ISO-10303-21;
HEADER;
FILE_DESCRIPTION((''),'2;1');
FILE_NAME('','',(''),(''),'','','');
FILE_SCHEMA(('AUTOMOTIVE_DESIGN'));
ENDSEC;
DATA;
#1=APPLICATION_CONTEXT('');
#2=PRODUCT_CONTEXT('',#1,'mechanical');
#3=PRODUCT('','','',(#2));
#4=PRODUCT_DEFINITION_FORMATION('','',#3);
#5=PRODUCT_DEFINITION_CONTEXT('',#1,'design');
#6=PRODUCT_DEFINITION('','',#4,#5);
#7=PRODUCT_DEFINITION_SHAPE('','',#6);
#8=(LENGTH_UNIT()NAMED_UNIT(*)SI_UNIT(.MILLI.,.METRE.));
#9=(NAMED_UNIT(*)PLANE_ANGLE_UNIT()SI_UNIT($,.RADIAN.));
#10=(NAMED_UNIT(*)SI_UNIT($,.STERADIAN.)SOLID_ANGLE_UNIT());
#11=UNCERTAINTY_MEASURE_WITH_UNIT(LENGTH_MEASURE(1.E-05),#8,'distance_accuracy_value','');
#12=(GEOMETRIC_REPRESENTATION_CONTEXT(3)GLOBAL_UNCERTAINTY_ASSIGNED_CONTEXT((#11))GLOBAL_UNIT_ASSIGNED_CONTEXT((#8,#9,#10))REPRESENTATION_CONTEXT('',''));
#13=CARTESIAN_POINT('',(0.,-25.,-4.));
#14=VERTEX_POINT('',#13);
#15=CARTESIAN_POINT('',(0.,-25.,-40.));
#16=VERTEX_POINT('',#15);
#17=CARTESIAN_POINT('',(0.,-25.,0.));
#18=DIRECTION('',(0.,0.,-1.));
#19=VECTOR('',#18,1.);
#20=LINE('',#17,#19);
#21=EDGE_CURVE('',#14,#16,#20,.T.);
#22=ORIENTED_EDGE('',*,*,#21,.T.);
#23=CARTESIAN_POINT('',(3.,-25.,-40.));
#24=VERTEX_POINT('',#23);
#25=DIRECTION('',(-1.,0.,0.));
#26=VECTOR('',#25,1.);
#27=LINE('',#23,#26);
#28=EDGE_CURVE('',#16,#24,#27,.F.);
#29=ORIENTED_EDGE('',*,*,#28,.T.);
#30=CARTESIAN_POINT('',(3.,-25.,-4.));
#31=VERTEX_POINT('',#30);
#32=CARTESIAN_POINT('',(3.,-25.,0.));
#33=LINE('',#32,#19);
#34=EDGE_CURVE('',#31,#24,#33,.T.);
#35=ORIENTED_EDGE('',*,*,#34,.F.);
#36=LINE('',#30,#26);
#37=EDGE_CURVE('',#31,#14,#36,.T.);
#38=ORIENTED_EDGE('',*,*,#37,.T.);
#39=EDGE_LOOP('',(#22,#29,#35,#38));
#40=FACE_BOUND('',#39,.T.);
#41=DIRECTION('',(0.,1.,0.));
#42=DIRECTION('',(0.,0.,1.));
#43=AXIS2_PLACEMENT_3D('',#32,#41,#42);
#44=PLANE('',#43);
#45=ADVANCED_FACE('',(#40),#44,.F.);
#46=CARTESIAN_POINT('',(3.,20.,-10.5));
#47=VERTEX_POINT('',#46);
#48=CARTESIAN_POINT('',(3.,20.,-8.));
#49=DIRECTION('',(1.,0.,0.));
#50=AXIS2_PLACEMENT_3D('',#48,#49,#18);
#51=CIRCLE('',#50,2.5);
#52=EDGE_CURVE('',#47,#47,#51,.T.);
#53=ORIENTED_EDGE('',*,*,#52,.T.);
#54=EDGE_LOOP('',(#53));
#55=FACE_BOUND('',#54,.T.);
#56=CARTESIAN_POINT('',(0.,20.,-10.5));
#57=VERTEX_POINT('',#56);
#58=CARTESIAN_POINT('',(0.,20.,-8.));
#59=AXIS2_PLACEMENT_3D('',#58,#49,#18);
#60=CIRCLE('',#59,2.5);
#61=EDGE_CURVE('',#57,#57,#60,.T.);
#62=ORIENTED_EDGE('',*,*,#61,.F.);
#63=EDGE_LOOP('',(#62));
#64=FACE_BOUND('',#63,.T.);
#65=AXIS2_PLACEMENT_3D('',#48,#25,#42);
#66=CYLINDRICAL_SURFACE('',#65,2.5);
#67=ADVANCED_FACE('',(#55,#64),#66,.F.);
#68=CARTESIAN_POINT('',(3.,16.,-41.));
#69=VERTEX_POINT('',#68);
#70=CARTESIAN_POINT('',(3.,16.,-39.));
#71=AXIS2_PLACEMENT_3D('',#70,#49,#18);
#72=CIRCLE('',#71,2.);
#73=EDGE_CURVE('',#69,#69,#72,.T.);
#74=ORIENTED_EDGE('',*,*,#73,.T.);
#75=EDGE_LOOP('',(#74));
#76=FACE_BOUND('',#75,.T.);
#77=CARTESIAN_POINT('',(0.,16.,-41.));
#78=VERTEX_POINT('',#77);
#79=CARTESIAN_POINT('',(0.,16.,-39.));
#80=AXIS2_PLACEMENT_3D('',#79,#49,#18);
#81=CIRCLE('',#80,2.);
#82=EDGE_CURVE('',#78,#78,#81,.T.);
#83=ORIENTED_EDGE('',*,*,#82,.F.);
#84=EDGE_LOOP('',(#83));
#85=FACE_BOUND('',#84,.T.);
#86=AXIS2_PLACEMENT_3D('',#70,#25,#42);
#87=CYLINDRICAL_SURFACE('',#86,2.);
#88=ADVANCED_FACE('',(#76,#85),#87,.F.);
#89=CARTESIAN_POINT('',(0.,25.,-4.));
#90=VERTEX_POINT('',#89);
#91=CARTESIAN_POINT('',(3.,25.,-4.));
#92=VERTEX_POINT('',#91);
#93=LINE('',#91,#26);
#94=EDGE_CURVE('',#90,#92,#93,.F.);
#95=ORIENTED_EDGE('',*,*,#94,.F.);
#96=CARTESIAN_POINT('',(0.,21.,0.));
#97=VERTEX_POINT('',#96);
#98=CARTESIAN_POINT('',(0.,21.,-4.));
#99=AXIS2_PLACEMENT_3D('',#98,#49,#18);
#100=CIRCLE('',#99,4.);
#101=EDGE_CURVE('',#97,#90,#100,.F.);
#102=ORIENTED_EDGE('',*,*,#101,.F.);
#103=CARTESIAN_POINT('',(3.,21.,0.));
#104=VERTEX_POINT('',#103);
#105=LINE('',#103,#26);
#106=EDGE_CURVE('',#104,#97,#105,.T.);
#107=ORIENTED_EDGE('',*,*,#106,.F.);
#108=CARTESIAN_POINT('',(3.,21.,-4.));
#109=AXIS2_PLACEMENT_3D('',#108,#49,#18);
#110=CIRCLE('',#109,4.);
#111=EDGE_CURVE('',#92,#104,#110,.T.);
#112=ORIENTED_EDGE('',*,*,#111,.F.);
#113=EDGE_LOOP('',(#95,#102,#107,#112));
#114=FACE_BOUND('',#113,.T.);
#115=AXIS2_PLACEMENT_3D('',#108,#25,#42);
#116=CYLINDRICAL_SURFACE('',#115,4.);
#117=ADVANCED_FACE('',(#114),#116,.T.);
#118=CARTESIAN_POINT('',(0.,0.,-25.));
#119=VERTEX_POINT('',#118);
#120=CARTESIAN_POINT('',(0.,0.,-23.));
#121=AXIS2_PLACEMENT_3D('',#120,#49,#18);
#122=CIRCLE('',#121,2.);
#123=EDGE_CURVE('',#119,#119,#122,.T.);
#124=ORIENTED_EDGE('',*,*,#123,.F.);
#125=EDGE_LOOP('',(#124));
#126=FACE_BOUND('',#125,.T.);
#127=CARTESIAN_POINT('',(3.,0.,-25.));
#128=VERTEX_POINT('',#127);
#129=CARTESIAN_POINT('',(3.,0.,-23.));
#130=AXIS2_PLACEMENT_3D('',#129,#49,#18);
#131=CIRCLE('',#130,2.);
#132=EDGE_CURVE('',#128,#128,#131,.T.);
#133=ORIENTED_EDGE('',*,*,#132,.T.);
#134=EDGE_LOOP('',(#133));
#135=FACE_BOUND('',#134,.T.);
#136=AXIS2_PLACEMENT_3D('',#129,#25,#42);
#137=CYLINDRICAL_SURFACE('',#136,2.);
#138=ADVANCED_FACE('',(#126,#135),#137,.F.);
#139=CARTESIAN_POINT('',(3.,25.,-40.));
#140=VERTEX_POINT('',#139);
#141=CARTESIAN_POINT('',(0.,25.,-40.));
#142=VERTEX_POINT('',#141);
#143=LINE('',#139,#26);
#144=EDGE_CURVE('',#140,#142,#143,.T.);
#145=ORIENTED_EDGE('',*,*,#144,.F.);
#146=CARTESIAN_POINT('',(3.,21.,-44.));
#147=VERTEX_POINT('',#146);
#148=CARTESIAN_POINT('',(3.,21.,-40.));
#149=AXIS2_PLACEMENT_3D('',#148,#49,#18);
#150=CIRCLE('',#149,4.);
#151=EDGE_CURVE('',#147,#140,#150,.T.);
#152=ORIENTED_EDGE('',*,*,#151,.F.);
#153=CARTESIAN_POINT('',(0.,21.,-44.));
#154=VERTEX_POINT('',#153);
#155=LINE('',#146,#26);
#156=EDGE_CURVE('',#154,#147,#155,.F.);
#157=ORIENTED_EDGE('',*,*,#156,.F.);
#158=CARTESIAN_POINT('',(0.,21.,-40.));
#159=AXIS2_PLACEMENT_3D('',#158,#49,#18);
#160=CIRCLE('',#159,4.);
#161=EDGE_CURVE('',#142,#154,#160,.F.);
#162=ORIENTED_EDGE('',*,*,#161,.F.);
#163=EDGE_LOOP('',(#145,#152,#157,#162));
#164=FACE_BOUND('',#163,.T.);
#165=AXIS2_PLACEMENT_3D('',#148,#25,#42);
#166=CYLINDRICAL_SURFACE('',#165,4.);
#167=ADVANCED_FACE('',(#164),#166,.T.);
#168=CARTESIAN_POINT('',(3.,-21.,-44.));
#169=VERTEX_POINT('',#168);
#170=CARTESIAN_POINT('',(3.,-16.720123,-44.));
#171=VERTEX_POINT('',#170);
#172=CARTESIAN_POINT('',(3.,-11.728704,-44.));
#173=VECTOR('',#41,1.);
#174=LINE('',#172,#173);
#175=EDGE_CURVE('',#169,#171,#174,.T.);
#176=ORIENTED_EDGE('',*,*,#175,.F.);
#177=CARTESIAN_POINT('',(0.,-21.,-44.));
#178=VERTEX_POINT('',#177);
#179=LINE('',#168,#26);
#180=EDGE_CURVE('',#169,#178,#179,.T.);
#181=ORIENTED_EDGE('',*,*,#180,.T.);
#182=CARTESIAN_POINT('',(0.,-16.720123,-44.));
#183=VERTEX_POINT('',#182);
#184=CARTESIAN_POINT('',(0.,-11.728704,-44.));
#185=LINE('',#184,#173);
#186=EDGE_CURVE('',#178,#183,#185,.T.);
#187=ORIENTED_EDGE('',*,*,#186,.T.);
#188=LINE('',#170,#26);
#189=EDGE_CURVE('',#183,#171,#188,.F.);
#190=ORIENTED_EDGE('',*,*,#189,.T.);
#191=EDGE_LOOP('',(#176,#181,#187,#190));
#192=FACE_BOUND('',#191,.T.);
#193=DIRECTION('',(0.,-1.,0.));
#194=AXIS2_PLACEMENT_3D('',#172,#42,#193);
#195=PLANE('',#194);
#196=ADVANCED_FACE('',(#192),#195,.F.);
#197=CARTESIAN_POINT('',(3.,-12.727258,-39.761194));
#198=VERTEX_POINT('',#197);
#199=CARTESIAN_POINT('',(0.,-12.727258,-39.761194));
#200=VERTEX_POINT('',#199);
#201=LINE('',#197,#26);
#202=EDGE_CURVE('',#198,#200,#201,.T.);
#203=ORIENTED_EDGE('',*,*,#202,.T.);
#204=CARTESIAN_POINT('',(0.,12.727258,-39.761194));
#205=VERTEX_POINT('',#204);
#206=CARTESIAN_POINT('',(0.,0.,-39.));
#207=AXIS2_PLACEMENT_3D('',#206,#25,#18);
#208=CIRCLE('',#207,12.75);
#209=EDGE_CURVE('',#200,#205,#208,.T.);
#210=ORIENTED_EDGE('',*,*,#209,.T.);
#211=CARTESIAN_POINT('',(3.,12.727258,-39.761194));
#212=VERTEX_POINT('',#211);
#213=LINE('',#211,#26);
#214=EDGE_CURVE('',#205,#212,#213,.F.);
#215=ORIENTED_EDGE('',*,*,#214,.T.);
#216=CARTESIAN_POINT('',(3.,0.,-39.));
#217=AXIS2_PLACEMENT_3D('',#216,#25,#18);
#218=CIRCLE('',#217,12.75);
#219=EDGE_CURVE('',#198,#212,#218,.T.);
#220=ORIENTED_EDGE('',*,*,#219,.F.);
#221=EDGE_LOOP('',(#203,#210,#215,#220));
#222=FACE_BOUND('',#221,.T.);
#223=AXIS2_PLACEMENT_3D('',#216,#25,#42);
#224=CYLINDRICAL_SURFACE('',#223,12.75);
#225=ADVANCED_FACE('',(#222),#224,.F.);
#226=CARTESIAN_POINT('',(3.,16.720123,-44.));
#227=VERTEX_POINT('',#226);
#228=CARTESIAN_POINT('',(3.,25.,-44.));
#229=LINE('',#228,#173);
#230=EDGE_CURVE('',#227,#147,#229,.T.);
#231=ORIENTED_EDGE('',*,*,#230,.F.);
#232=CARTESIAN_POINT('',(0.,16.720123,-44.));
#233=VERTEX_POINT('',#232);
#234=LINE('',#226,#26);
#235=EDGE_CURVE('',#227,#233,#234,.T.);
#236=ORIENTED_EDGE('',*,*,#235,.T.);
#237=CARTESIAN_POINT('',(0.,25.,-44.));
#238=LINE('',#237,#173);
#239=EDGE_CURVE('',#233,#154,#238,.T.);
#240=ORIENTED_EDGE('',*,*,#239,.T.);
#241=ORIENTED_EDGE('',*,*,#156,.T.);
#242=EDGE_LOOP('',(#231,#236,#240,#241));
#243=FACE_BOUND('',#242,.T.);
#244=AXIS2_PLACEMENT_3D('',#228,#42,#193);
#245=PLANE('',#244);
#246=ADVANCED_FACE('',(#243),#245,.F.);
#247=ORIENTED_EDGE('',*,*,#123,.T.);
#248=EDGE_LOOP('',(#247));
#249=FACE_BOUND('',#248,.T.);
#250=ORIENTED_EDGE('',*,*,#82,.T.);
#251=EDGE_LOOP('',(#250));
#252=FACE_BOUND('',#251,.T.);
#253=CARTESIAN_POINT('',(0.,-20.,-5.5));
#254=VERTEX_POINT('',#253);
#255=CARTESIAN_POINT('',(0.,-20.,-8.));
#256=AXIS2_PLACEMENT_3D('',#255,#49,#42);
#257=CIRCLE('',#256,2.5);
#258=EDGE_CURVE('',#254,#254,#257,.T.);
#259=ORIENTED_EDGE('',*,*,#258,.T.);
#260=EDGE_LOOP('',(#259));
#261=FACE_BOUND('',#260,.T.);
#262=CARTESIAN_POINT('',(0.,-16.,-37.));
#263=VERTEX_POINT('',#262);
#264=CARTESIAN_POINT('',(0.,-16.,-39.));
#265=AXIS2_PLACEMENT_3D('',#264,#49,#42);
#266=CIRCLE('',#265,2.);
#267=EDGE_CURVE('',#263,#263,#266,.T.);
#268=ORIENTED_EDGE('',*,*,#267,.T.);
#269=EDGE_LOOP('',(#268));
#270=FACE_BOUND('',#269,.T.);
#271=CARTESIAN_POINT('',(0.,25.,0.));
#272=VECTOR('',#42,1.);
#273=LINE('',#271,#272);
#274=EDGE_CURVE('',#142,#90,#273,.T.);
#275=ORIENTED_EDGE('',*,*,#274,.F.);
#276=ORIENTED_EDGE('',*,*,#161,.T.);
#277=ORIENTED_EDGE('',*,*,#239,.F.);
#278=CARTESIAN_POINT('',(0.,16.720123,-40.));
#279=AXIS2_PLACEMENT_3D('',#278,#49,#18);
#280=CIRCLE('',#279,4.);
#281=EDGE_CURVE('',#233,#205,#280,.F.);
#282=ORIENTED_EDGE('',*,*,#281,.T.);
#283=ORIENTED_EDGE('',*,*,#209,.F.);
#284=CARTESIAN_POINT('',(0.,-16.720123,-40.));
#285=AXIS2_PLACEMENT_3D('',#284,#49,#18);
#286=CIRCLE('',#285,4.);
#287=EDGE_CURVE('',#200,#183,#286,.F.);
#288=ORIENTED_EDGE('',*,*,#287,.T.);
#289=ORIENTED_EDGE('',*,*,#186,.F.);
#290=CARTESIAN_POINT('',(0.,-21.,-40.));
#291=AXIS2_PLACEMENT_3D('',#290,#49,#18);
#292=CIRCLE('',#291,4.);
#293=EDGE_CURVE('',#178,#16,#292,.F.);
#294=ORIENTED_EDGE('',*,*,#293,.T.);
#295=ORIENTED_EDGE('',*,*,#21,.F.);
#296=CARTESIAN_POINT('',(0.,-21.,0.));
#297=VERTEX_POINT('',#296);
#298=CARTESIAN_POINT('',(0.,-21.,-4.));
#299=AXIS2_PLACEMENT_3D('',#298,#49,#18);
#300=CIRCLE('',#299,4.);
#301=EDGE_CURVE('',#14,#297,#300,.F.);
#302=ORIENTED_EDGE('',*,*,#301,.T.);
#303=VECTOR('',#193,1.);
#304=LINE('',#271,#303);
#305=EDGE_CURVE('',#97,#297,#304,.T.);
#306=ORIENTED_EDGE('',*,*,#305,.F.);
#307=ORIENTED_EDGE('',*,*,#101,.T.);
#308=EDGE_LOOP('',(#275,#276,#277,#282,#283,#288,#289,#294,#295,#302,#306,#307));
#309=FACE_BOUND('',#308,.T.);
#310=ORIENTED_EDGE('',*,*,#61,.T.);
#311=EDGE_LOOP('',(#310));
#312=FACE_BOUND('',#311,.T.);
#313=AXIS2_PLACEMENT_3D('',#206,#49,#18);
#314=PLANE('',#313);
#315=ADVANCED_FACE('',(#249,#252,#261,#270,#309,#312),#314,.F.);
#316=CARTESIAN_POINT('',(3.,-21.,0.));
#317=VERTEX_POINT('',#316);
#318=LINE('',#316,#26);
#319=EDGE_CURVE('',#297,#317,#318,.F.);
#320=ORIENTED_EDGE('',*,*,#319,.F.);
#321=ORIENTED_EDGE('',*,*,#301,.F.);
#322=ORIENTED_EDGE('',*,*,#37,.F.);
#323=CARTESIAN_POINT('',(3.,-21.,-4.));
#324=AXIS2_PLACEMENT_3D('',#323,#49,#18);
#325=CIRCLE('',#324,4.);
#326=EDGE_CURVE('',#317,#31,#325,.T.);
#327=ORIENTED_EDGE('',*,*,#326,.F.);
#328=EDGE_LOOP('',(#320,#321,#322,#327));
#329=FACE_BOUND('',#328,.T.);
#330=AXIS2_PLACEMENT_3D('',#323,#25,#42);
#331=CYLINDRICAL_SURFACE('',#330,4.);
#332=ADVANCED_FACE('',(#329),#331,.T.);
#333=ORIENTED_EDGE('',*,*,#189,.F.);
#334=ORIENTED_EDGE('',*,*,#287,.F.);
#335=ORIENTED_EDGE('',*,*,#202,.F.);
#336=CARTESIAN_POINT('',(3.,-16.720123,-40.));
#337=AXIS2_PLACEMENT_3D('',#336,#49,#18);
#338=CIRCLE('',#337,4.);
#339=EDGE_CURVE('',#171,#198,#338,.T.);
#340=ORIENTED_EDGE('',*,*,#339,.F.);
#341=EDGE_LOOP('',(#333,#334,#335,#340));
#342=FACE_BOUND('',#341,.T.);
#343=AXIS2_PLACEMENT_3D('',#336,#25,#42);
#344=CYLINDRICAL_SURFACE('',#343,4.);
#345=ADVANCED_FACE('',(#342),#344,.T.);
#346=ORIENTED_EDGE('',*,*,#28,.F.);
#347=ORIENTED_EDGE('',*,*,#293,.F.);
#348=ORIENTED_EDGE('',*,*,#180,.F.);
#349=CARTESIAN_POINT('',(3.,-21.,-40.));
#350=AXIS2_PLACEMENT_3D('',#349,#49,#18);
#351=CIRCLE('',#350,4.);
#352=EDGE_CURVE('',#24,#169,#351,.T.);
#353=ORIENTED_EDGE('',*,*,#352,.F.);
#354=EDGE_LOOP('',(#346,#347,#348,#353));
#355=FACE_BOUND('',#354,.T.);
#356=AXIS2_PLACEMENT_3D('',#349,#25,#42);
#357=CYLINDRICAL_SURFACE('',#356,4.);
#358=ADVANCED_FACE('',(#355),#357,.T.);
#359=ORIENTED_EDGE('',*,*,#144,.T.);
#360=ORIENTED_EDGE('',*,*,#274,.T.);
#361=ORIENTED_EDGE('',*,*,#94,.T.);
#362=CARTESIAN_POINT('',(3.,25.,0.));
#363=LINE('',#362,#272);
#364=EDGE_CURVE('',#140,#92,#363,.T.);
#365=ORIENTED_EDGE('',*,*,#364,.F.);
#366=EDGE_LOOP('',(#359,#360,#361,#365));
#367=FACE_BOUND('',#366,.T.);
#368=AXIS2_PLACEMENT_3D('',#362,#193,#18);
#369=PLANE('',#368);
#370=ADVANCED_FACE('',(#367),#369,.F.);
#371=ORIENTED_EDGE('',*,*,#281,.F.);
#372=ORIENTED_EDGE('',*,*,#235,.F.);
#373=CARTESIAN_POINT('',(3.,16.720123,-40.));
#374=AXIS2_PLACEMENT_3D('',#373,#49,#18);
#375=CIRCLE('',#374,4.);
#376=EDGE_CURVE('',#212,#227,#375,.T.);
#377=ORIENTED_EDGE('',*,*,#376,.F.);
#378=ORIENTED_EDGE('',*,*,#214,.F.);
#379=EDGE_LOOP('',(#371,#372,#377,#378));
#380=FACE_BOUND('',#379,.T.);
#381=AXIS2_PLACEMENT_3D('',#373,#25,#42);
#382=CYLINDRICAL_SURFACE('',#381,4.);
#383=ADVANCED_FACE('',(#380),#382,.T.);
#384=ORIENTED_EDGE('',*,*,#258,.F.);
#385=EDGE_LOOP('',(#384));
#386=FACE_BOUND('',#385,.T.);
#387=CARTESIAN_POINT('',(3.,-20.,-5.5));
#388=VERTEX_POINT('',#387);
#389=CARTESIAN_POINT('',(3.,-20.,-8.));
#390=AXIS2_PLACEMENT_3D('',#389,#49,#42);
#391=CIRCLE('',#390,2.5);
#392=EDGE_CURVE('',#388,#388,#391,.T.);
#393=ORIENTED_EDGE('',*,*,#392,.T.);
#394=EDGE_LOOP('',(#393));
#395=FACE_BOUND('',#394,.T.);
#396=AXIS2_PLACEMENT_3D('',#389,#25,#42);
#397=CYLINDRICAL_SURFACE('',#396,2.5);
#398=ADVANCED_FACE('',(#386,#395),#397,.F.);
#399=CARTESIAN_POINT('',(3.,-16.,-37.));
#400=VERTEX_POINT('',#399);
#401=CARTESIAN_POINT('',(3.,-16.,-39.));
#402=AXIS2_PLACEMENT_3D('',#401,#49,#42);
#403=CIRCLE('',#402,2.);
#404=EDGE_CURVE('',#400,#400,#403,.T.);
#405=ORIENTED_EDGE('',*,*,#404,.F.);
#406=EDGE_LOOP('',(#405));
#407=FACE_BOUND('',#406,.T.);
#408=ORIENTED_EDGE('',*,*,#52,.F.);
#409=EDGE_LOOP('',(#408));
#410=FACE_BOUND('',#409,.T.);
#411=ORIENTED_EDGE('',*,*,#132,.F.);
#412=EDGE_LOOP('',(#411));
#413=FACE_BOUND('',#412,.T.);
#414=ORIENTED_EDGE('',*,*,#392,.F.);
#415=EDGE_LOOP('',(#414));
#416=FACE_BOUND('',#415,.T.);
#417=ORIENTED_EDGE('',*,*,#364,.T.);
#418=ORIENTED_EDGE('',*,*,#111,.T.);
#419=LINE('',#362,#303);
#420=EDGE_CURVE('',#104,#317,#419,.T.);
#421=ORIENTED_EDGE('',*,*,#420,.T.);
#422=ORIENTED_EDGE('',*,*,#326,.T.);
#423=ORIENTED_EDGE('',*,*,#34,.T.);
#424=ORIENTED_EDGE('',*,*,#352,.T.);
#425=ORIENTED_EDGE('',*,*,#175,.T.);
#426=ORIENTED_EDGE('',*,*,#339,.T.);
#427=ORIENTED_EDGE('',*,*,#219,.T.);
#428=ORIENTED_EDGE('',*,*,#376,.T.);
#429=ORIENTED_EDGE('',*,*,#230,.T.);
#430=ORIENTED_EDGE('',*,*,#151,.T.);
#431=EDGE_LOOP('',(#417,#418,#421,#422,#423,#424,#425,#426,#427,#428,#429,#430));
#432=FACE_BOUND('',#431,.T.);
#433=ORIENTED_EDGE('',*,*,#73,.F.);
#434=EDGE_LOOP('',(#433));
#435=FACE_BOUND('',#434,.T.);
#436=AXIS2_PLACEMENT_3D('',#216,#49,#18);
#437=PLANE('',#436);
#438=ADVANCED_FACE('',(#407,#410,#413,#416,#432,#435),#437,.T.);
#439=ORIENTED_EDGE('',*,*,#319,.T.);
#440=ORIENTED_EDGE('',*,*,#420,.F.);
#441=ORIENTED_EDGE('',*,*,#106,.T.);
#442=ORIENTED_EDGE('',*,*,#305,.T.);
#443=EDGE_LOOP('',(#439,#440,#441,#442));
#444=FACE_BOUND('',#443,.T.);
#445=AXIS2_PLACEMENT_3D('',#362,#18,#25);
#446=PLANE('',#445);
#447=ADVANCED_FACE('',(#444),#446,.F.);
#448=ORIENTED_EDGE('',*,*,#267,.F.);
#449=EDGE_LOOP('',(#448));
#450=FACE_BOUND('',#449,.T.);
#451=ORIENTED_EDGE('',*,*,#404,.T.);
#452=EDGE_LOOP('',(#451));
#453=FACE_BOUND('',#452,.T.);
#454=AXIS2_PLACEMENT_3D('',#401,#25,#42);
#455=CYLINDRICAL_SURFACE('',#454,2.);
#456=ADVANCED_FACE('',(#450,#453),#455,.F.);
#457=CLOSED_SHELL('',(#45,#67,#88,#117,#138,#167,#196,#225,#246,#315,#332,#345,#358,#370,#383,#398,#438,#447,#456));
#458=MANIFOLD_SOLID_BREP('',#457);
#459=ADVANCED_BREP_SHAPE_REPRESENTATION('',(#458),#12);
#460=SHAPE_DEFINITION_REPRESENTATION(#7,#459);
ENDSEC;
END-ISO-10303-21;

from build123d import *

# Parameters (mm, degrees)
ESQUISSE1_R        = 2
ESQUISSE1_R_2      = 2.5
BOSS_EXTRU_1_DEPTH = 3
CONG_1_R           = 4


with BuildPart() as part:
    # Esquisse1 → Boss.-Extru.1 (new body)
    with BuildSketch(Plane(origin=(0, 0, 0), x_dir=(0, 0, -1), z_dir=(1, 0, 0))):
        with BuildLine():
            Line((0, 25), (44, 25))
            Line((44, 25), (44, 11.728704106))
            ThreePointArc((44, 11.728704106), (26.25, 0), (44, -11.728704106))
            Line((44, -11.728704106), (44, -25))
            Line((44, -25), (0, -25))
            Line((0, -25), (0, 25))
        make_face()
        with Locations((39, 16)):
            Circle(ESQUISSE1_R, mode=Mode.SUBTRACT)
        with Locations((23, 0)):
            Circle(ESQUISSE1_R, mode=Mode.SUBTRACT)
        with Locations(Location((39, -16, 0), (0, 0, 180))):
            Circle(ESQUISSE1_R, mode=Mode.SUBTRACT)
        with Locations((8, 20)):
            Circle(ESQUISSE1_R_2, mode=Mode.SUBTRACT)
        with Locations(Location((8, -20, 0), (0, 0, 180))):
            Circle(ESQUISSE1_R_2, mode=Mode.SUBTRACT)
    extrude(amount=BOSS_EXTRU_1_DEPTH)

    # Congé1
    cong_1_edges = [part.edges().sort_by_distance(p)[0] for p in [
        (1.5, 25, 0),
        (1.5, 25, -44),
        (1.5, 11.728704106, -44),
        (1.5, -11.728704106, -44),
        (1.5, -25, -44),
        (1.5, -25, 0),
    ]]
    fillet(cong_1_edges, radius=CONG_1_R)


solid = part.part
